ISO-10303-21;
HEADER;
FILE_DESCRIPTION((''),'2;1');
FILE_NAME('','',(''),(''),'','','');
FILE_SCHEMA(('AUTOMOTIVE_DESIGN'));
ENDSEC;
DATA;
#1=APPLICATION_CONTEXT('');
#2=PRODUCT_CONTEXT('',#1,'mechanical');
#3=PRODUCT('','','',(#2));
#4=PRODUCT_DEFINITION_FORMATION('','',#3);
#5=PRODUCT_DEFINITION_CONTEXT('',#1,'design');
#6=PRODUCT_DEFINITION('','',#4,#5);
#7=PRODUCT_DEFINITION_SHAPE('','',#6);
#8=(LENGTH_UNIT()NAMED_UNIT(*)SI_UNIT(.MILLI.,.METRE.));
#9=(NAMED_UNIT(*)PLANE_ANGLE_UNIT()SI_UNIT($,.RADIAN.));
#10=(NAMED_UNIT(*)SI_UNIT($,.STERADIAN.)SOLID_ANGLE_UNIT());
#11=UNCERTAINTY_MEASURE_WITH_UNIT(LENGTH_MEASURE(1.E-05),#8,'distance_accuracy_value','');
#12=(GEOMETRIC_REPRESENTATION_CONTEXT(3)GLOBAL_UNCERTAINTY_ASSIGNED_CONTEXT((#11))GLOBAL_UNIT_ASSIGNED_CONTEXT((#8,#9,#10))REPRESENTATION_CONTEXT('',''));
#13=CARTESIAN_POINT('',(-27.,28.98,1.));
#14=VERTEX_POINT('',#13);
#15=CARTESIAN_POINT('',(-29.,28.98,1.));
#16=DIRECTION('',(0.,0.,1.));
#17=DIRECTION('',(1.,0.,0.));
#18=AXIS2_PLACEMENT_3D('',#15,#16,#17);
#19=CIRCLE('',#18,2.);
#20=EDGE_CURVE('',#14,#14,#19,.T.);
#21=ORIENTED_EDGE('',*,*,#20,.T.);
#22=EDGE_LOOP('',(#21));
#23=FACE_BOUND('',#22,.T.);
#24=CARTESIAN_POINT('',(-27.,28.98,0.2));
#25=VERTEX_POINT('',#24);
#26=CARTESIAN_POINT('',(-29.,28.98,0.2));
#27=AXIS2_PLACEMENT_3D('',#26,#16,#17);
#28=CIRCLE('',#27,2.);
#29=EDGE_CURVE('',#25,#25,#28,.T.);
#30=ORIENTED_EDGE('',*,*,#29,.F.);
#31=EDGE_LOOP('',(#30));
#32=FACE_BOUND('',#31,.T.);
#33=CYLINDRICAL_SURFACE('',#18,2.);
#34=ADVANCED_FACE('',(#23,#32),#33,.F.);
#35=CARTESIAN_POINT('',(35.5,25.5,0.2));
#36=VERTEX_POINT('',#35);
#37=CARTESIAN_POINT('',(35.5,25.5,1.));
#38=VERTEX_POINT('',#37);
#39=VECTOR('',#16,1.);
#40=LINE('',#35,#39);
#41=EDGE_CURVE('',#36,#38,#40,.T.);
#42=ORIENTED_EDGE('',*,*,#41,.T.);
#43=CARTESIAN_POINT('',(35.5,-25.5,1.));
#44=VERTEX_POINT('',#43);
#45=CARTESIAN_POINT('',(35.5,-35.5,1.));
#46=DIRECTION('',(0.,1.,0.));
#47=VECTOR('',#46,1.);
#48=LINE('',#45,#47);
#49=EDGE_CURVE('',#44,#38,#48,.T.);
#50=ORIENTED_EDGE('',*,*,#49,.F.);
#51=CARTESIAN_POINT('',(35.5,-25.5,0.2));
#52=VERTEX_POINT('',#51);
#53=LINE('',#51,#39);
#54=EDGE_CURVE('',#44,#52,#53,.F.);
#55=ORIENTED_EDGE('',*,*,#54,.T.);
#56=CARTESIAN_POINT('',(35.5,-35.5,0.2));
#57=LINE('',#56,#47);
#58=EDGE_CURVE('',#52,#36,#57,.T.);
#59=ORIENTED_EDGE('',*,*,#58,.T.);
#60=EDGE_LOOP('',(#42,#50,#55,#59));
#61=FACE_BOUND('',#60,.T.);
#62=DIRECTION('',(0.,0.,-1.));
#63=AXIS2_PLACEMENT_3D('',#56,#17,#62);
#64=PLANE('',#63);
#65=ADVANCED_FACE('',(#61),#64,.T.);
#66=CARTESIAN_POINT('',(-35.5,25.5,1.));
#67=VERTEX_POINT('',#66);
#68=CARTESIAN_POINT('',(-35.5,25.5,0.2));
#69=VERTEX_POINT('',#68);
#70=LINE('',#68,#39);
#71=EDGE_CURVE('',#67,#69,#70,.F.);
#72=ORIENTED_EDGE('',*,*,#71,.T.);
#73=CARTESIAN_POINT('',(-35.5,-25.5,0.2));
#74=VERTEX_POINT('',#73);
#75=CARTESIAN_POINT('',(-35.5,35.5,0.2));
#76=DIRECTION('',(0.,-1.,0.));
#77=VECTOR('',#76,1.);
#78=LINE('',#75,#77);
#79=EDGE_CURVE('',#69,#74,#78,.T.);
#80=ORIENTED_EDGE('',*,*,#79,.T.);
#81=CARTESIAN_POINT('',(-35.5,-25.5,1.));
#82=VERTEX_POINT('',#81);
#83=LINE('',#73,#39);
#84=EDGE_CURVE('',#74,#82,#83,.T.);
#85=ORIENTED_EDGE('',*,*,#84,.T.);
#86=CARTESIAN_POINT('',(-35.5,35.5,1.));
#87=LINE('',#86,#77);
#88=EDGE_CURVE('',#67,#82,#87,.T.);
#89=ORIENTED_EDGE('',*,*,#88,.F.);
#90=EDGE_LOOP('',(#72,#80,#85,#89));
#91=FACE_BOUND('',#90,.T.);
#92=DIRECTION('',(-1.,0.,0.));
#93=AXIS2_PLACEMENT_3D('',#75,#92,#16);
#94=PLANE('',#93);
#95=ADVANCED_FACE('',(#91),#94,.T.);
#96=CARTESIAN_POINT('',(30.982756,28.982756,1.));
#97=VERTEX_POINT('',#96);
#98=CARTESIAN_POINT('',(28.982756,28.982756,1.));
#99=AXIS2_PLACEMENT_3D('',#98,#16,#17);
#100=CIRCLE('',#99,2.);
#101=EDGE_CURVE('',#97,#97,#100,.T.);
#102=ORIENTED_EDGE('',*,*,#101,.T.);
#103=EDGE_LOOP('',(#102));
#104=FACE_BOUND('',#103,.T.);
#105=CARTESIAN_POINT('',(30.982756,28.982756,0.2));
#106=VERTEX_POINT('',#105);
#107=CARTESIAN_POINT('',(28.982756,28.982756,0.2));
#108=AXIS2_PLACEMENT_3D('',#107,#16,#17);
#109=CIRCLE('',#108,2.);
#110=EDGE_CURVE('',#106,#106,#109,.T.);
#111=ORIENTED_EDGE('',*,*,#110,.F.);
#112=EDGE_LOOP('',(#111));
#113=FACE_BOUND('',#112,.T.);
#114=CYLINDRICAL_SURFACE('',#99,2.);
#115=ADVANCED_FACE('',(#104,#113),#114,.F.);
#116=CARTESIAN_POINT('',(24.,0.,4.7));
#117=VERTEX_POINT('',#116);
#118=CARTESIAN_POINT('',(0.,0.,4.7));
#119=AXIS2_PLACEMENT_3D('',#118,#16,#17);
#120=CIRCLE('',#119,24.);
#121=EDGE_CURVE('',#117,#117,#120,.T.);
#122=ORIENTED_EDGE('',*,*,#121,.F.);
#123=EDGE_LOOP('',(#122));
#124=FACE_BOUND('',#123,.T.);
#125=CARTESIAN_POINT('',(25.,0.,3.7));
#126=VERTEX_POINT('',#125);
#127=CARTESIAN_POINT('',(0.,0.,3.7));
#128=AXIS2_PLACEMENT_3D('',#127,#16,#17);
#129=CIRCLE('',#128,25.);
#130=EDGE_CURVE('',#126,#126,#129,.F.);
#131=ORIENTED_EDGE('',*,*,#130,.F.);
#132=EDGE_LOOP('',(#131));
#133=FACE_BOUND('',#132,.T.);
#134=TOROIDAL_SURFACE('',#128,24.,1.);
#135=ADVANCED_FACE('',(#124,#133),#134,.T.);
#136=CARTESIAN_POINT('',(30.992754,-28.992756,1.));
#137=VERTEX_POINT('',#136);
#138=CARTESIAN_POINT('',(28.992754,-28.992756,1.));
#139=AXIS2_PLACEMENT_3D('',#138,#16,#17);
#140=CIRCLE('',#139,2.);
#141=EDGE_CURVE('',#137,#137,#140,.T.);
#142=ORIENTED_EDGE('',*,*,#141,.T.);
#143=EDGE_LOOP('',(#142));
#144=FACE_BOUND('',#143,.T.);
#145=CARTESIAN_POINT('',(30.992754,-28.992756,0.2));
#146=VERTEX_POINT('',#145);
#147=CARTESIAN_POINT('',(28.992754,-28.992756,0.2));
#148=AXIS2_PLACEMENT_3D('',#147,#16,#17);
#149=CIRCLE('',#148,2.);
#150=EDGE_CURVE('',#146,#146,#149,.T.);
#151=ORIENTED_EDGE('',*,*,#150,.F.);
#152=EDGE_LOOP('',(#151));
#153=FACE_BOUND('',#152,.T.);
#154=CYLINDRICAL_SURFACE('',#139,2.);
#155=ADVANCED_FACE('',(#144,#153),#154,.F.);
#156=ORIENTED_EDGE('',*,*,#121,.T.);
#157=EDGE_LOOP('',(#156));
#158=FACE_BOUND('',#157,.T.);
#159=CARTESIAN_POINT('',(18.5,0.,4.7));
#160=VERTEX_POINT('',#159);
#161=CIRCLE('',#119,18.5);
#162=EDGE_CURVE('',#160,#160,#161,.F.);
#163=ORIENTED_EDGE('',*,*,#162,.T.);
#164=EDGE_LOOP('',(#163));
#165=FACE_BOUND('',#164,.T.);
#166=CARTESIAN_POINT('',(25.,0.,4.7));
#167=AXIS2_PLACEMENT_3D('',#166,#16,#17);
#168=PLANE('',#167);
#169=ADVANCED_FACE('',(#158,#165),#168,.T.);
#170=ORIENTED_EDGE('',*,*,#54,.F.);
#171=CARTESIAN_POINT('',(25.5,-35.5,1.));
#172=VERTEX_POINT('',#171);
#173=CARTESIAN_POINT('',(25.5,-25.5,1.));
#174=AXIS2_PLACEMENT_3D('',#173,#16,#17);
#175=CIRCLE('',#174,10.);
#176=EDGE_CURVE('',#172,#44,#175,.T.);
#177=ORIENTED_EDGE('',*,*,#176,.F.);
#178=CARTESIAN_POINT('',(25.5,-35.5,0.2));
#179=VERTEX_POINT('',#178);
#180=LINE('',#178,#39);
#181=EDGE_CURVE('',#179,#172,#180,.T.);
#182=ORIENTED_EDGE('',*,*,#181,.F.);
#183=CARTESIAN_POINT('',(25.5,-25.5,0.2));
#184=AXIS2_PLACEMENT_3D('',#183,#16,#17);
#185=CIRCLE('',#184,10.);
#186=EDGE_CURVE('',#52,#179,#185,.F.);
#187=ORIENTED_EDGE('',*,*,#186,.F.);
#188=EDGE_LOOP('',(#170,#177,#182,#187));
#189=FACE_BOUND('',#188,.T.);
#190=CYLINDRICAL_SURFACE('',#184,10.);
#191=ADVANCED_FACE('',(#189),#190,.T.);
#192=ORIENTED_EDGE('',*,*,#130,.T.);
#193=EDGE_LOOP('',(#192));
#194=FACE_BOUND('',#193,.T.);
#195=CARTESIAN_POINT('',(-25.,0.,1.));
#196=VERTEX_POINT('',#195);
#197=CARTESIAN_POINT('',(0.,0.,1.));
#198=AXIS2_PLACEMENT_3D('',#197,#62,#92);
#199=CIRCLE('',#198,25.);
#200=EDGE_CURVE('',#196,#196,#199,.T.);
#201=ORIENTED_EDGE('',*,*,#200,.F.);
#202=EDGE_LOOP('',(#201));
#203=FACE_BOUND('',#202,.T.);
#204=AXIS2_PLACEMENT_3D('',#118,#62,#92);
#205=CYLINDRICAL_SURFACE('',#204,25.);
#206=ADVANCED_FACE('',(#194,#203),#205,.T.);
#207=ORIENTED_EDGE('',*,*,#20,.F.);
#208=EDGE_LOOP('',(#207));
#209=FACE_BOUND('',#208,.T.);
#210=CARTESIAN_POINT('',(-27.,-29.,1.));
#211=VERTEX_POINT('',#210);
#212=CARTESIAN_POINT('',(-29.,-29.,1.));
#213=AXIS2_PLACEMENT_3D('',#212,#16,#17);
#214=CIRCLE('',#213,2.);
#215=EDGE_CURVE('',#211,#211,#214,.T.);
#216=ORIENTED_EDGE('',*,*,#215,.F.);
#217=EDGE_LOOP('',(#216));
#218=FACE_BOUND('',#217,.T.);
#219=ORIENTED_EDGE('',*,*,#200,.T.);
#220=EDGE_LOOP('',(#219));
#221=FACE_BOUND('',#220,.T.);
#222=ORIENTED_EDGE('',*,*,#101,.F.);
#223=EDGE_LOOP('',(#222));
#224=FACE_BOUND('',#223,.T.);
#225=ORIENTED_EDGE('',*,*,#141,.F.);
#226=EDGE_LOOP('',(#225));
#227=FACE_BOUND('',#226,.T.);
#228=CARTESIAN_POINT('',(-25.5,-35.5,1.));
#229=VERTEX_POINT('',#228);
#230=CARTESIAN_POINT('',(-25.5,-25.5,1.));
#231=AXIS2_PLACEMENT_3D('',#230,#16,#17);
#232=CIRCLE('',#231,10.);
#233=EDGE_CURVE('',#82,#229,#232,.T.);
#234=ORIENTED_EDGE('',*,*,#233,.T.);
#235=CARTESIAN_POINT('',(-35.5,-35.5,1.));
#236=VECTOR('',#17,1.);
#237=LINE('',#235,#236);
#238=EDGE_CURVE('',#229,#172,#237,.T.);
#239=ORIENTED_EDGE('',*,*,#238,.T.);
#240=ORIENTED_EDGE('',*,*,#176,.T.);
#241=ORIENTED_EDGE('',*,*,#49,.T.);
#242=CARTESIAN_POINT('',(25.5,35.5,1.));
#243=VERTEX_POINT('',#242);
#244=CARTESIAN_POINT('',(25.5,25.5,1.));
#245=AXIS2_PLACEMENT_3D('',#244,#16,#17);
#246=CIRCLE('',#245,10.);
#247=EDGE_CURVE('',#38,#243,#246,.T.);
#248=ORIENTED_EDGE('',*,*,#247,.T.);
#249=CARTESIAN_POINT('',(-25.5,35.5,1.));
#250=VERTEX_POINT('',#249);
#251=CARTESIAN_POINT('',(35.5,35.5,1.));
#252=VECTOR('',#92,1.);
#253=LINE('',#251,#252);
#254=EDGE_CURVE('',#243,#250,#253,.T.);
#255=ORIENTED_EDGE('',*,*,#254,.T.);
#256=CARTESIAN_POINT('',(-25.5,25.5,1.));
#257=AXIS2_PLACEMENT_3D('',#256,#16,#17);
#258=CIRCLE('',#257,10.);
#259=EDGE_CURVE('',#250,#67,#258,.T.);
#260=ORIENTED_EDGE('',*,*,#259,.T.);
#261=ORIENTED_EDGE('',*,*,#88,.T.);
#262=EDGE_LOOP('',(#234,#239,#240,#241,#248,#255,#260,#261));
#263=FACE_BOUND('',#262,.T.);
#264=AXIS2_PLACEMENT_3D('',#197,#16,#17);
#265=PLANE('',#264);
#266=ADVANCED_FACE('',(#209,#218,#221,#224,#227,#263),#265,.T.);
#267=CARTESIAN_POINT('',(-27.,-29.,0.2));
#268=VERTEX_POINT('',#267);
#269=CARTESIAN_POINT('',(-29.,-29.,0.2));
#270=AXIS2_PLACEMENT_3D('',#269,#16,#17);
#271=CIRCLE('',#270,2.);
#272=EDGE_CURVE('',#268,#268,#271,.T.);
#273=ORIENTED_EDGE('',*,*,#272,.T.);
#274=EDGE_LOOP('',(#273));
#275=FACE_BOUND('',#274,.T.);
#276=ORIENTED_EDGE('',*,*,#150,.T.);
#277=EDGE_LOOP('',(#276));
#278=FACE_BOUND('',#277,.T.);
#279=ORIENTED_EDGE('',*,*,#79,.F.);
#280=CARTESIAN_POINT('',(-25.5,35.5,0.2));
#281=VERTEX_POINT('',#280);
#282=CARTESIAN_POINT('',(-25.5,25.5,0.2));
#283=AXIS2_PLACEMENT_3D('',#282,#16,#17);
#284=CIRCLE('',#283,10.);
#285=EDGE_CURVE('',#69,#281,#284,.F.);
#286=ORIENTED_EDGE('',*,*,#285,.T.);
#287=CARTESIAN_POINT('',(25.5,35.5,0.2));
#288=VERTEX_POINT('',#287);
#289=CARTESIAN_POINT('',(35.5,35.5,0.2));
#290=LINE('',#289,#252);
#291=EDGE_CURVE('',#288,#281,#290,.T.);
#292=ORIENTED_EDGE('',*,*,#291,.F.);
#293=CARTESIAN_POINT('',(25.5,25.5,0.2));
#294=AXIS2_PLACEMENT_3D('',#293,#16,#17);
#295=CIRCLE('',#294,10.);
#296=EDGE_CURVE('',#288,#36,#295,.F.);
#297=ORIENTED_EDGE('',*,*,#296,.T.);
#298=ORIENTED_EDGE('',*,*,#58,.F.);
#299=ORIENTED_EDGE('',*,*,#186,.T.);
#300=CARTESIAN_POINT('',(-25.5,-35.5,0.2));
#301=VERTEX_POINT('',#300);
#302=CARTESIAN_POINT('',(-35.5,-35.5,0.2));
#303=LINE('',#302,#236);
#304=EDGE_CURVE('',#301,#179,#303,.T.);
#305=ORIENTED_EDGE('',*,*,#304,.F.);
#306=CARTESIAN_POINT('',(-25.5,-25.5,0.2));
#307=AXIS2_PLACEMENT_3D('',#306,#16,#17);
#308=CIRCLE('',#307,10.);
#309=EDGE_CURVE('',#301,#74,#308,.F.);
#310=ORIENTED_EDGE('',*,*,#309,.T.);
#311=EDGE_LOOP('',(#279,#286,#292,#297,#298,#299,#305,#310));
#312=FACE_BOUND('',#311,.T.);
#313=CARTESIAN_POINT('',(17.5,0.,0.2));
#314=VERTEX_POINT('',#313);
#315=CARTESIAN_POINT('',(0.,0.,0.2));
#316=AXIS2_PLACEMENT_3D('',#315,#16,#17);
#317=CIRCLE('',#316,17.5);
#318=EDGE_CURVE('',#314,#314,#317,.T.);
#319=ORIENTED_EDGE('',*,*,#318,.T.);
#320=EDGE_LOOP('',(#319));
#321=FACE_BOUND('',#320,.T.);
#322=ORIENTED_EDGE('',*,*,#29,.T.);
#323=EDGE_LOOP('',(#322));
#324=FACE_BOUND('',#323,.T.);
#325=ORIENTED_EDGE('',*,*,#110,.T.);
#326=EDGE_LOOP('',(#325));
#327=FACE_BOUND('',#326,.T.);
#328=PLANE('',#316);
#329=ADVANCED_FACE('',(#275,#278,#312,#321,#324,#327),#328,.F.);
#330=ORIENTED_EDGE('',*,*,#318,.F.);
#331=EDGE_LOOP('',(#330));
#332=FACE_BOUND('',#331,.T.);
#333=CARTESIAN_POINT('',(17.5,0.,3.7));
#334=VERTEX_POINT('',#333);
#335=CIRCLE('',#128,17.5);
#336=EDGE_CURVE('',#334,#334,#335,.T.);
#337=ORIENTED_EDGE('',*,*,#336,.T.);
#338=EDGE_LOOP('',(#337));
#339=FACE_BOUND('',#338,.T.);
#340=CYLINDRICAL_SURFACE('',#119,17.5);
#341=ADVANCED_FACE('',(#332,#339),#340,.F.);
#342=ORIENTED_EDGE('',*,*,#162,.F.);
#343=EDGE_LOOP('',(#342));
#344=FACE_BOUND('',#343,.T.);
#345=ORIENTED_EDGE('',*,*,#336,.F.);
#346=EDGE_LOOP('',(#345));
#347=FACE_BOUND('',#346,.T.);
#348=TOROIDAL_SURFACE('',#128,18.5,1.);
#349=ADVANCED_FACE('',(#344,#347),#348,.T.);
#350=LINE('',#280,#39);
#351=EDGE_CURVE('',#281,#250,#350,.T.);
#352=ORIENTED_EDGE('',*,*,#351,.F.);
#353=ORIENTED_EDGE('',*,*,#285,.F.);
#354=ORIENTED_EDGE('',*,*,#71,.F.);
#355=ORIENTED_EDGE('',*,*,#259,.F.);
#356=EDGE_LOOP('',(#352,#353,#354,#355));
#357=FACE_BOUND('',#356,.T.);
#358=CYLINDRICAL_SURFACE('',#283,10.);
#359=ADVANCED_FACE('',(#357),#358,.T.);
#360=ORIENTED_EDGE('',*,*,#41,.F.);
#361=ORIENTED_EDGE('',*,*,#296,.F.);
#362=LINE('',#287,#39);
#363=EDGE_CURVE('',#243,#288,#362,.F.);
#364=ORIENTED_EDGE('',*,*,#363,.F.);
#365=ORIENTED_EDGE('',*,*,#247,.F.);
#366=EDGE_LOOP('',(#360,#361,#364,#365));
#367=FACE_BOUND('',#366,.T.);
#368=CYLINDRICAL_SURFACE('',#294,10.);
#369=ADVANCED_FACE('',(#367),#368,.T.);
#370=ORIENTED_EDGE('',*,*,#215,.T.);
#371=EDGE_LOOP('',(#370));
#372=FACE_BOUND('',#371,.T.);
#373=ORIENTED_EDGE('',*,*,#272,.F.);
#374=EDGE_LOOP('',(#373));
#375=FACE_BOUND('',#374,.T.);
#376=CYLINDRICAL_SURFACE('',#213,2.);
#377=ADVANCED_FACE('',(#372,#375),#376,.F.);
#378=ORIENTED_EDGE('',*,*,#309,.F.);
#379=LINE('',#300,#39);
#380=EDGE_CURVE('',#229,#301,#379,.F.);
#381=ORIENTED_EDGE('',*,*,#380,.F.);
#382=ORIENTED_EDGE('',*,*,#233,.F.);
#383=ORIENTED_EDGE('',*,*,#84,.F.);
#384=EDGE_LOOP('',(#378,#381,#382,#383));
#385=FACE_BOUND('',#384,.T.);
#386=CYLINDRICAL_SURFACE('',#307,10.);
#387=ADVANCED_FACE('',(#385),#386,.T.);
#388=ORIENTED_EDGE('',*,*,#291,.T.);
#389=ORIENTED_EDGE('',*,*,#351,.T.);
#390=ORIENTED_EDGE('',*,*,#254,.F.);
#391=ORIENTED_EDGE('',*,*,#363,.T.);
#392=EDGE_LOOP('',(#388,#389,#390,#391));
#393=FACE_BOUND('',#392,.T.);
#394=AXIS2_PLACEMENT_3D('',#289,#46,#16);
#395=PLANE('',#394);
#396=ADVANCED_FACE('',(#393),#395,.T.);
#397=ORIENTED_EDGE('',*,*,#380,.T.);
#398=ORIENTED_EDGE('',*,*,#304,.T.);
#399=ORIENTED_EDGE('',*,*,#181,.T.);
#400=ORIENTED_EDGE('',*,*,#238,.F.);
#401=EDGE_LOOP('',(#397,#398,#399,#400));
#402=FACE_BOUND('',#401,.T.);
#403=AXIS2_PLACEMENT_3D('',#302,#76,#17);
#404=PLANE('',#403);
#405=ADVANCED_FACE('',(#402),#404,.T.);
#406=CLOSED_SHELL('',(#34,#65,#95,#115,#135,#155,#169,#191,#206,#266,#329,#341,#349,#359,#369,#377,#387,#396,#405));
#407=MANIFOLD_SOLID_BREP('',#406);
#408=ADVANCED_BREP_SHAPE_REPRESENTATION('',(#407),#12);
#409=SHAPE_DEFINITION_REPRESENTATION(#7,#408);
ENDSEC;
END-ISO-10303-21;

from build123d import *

# Parameters (mm, degrees)
SKETCH_1_W            = 71
SKETCH_1_H            = 71
EXTRUDE_1_DEPTH       = 0.8
SKETCH_2_W            = 25
SKETCH_2_H            = 3.7
HOLE_WIZARD_M30_1_D   = 35
HOLE_WIZARD_4_0_4_1_D = 4
FILLET_1_R            = 1
FILLET_2_R            = 10


with BuildPart() as part:
    # 草图1 → 凸台-拉伸1 (new body)
    with BuildSketch(Plane.XY.offset(1)):
        Rectangle(SKETCH_1_W, SKETCH_1_H)
    extrude(amount=-EXTRUDE_1_DEPTH)

    # 草图2 → 旋转1 (revolve)
    with BuildSketch(Plane.XZ, mode=Mode.PRIVATE) as revolve_1_sk:
        with Locations((12.5, 2.85)):
            Rectangle(SKETCH_2_W, SKETCH_2_H)
    revolve(revolve_1_sk.sketch.rotate(Axis((0, 0, 4.7), (0, 0, -1)), 180), axis=Axis((0, 0, 4.7), (0, 0, -1)))

    # M30 间隙孔1 (through all)
    with Locations(Plane.XY.offset(4.7)):
        with Locations((0, 0)):
            Hole(HOLE_WIZARD_M30_1_D / 2)

    # Ø4.0 (4) 直径孔1 (through all)
    with Locations(Plane.XY.offset(1)):
        with Locations((-29, 28.98), (-29, -29), (28.992753946, -28.992756445), (28.982756057, 28.982756057)):
            Hole(HOLE_WIZARD_4_0_4_1_D / 2)

    # 圆角1
    fillet_1_edges = [part.edges().sort_by_distance(p)[0] for p in [
        (25, 0, 4.7),
        (17.5, 0, 4.7),
    ]]
    fillet(fillet_1_edges, radius=FILLET_1_R)

    # 圆角2
    fillet_2_edges = [part.edges().sort_by_distance(p)[0] for p in [
        (35.5, 35.5, 0.6),
        (35.5, -35.5, 0.6),
        (-35.5, -35.5, 0.6),
        (-35.5, 35.5, 0.6),
    ]]
    fillet(fillet_2_edges, radius=FILLET_2_R)


solid = part.part
